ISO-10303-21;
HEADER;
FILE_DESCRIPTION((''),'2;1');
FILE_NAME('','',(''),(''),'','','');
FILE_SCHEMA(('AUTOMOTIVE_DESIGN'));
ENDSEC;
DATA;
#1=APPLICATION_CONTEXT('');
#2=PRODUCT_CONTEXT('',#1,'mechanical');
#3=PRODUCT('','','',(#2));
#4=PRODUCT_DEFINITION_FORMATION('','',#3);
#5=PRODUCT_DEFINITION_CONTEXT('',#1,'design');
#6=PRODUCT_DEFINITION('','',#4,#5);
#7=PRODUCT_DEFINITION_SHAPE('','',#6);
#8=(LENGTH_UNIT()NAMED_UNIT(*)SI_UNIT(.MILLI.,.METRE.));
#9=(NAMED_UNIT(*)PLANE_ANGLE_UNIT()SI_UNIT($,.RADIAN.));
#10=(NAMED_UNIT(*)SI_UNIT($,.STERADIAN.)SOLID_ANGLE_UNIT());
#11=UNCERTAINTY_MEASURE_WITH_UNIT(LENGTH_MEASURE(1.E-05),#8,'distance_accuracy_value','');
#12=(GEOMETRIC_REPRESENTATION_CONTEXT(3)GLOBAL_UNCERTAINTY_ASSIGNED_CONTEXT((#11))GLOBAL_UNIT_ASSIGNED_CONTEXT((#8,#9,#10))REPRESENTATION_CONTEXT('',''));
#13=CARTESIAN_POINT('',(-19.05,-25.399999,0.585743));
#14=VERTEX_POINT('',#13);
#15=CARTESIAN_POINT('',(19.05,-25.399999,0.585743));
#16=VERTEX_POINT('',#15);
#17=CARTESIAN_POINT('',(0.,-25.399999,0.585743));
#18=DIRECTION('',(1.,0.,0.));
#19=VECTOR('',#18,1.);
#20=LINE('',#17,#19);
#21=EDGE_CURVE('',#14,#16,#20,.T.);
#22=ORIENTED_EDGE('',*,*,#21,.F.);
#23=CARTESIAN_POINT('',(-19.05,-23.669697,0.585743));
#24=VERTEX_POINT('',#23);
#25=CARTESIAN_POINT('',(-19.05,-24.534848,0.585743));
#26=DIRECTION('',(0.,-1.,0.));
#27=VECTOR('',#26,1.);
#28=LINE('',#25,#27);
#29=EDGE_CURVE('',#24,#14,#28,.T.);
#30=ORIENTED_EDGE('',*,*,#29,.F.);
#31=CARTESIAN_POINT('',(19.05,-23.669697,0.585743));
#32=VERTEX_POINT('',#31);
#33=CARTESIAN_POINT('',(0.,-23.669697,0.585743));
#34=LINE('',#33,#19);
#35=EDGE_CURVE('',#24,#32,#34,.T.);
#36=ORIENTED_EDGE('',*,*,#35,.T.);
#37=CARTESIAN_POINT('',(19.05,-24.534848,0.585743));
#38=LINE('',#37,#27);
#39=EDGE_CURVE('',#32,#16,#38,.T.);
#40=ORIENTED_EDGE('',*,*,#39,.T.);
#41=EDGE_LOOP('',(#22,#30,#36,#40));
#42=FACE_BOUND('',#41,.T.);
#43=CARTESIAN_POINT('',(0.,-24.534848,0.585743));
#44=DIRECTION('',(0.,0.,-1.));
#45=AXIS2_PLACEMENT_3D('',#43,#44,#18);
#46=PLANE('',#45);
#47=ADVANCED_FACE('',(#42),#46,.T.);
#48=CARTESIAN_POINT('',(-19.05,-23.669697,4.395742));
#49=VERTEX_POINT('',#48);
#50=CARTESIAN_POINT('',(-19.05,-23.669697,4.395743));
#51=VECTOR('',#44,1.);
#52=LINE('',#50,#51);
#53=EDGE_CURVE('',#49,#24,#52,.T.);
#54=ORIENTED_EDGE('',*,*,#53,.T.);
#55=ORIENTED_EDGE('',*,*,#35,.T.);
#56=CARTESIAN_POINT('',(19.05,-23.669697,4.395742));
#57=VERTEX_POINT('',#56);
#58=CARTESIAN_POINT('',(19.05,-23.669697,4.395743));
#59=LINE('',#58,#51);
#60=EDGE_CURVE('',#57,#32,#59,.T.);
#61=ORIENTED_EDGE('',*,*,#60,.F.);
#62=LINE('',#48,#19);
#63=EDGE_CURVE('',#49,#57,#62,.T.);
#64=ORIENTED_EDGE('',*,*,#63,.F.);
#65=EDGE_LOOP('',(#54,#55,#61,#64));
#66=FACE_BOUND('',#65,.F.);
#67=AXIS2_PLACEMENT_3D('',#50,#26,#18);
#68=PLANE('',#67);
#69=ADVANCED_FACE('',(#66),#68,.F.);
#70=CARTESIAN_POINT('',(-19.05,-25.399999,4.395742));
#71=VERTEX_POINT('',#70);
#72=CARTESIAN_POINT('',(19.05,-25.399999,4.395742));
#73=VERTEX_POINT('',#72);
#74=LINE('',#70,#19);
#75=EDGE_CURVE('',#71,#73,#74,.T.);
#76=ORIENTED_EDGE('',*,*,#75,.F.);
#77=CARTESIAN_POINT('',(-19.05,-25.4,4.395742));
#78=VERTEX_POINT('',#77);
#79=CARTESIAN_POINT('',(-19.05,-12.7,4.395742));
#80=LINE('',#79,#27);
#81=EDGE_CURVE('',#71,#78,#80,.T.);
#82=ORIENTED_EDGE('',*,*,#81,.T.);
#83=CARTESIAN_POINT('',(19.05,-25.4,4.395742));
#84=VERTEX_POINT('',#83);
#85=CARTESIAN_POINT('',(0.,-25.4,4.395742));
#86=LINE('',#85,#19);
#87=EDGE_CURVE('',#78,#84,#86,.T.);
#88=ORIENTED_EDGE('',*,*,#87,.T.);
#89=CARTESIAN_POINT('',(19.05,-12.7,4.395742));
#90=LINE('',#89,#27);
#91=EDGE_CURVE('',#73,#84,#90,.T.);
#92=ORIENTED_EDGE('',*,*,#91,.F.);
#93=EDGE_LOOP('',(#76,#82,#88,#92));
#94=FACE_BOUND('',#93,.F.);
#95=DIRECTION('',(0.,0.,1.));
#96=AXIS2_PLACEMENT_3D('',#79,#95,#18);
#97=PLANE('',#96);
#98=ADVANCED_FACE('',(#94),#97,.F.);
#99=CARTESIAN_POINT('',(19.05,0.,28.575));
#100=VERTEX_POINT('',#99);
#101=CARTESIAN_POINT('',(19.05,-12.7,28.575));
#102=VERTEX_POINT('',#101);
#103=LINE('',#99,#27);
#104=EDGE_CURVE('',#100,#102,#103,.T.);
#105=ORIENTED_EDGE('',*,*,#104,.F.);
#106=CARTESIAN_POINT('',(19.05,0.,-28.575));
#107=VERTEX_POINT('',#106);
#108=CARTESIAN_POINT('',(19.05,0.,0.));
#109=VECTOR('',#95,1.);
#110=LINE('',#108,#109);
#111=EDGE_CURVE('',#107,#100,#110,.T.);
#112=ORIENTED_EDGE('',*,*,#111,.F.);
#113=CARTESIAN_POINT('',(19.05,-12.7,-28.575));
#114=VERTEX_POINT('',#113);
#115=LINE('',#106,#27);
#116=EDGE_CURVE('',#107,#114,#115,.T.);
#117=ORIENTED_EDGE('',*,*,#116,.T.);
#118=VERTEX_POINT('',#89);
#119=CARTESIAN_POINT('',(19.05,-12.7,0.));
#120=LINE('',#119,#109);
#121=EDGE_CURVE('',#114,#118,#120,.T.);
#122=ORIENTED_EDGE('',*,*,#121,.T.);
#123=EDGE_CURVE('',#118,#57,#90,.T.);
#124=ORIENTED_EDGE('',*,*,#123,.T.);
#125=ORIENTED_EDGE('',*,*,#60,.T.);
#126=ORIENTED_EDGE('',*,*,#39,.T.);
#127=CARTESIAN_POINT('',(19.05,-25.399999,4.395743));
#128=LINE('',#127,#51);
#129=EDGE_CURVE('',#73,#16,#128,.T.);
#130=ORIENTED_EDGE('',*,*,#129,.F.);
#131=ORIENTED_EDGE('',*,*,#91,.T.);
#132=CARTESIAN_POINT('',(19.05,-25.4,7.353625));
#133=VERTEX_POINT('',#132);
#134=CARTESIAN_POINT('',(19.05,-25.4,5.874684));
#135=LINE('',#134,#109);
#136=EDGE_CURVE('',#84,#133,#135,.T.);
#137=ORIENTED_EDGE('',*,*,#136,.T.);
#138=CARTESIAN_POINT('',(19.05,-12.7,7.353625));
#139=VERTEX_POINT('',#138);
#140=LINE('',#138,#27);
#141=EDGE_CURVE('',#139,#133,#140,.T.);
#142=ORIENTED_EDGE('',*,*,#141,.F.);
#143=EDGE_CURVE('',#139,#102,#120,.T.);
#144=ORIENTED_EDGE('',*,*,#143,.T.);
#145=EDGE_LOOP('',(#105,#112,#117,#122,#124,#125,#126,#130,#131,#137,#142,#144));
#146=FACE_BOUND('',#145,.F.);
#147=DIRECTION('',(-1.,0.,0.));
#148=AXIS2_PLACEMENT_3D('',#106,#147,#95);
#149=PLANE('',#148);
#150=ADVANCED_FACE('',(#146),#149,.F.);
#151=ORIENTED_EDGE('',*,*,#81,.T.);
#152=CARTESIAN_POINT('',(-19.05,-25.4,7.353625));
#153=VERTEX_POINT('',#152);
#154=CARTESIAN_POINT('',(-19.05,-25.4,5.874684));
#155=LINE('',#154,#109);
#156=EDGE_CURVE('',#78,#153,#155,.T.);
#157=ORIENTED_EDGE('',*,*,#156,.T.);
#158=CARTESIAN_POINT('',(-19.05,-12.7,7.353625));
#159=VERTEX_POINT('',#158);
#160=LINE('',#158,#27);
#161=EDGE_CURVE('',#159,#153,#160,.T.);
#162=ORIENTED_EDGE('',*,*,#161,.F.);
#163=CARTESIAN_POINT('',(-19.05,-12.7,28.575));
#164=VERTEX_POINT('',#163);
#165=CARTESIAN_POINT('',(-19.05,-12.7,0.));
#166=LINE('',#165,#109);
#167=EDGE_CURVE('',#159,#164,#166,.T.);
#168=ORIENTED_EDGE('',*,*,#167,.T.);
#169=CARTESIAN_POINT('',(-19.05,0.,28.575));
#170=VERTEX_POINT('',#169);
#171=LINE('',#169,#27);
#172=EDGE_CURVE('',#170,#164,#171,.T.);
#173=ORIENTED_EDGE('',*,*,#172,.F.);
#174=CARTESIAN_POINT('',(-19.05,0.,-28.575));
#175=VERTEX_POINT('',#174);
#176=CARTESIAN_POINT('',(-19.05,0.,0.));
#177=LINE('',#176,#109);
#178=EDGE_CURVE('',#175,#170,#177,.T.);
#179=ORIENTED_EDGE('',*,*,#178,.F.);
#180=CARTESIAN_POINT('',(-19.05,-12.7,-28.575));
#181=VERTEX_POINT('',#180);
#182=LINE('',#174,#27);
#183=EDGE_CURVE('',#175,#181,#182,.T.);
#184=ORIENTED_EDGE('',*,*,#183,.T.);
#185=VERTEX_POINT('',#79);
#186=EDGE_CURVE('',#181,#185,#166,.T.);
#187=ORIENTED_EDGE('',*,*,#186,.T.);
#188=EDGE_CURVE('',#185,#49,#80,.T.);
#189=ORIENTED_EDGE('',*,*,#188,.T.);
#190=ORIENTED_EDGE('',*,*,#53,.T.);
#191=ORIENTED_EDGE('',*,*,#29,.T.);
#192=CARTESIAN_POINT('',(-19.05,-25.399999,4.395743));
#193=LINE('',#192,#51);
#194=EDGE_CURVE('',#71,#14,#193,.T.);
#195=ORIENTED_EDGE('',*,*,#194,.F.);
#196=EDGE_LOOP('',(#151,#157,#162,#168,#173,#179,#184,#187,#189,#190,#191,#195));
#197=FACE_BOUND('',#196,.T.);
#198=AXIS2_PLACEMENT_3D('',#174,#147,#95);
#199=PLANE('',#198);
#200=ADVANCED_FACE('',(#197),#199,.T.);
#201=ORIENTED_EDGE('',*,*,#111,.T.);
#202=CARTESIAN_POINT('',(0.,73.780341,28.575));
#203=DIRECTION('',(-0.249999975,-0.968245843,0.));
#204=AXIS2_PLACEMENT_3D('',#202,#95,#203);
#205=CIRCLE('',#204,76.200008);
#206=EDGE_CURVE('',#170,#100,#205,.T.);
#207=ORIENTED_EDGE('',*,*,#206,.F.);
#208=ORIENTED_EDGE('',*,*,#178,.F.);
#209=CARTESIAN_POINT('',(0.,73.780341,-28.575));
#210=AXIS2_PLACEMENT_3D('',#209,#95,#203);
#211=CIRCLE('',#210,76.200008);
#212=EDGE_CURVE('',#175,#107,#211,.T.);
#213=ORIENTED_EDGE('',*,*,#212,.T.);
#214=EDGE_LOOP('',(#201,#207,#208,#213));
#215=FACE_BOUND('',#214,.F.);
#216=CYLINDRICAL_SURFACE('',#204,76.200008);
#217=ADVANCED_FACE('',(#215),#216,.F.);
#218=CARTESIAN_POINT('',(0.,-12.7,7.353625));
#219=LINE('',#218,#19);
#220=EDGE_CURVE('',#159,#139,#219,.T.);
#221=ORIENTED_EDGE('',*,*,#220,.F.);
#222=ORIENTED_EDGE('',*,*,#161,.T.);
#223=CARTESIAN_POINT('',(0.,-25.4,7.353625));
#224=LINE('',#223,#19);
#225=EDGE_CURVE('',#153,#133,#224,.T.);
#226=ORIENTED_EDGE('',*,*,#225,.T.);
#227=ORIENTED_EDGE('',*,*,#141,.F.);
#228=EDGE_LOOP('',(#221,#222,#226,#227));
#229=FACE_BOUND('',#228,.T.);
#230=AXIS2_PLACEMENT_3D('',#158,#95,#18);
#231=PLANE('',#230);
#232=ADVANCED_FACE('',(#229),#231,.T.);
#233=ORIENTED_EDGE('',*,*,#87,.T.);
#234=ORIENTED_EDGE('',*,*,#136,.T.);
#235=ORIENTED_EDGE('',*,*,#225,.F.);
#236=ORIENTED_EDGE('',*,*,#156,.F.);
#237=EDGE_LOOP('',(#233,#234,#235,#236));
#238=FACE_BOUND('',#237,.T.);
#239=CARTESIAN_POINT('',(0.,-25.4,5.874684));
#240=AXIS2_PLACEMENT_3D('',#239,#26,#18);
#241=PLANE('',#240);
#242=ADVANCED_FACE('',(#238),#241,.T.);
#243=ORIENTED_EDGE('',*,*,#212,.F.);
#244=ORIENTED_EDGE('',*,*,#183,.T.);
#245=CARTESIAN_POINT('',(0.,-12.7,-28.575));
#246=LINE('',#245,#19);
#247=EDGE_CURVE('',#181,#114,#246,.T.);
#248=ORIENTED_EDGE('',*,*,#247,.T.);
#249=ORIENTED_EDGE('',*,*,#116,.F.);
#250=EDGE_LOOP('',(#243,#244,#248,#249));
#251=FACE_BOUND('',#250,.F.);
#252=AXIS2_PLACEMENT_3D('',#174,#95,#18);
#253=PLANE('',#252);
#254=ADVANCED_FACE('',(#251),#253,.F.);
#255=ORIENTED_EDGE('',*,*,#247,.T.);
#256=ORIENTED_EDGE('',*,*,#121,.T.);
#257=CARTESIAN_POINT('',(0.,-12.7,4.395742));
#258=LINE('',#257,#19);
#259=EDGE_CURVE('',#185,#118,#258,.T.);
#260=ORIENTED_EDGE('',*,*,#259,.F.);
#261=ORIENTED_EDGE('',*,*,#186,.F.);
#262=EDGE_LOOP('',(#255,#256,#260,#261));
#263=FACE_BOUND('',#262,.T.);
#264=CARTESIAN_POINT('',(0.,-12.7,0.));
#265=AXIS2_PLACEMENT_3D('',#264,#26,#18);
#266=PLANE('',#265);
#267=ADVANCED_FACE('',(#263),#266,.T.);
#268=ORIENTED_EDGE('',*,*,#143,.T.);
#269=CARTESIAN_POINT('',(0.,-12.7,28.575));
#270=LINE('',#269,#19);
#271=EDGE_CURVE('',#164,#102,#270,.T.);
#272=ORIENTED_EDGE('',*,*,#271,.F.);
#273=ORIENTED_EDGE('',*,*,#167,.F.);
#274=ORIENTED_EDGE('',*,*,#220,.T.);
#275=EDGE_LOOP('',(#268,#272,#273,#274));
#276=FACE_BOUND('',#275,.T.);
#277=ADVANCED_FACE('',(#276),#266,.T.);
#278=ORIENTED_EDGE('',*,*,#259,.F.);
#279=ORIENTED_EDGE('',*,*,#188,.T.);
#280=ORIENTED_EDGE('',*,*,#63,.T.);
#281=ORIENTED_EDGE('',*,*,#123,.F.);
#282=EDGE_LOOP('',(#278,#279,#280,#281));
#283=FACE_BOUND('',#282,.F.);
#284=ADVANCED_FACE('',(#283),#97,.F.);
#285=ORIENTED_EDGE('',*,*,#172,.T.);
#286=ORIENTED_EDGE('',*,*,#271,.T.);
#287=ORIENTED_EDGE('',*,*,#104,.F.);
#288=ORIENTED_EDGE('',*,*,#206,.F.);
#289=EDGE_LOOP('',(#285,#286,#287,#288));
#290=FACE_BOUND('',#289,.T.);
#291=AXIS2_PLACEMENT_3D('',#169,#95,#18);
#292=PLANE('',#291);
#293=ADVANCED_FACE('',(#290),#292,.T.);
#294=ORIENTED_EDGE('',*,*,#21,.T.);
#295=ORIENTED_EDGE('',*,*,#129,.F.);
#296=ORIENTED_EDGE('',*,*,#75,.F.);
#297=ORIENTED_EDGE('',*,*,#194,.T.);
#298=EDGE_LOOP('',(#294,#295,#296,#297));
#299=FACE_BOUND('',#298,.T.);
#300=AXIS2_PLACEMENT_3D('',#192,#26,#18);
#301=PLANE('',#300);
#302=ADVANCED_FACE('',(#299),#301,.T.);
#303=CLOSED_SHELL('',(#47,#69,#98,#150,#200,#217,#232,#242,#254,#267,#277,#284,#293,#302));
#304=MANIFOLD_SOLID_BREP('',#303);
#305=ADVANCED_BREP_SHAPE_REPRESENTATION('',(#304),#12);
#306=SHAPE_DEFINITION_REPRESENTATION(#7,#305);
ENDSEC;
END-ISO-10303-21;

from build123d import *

# Parameters (mm, degrees)
F0_W     = 38.1
F0_H     = 57.15
F1_DEPTH = 12.7
F3_DEPTH = 57.151
F4_W     = 38.1
F4_H     = 2.957883
F5_DEPTH = 12.7
F6_W     = 38.1
F6_H     = 1.730303
F7_DEPTH = 3.81


with BuildPart() as f1:
    # F0 (on Front) → F1 (new body)
    with BuildSketch(Plane.XZ):
        Rectangle(F0_W, F0_H)
    extrude(amount=F1_DEPTH)

    # F2 (on face) → F3 (cut, through all)
    with BuildSketch(Plane.XY.offset(28.575)):
        with BuildLine():
            Line((19.05, 0), (-19.05, 0))
            ThreePointArc((-19.05, 0), (0, -2.419667), (19.05, 0))
        make_face()
    extrude(amount=-F3_DEPTH, mode=Mode.SUBTRACT)

    # F4 (on face) → F5 (join)
    with BuildSketch(Plane.XZ.offset(12.7)):
        with Locations((0, 5.874684)):
            Rectangle(F4_W, F4_H)
    extrude(amount=F5_DEPTH)

    # F6 (on face) → F7 (join)
    with BuildSketch(Plane(origin=(0, 0, 4.395743), x_dir=(1, 0, 0), z_dir=(0, 0, -1))):
        with Locations((0, 24.534848)):
            Rectangle(F6_W, F6_H)
    extrude(amount=F7_DEPTH)


solid = f1.part
